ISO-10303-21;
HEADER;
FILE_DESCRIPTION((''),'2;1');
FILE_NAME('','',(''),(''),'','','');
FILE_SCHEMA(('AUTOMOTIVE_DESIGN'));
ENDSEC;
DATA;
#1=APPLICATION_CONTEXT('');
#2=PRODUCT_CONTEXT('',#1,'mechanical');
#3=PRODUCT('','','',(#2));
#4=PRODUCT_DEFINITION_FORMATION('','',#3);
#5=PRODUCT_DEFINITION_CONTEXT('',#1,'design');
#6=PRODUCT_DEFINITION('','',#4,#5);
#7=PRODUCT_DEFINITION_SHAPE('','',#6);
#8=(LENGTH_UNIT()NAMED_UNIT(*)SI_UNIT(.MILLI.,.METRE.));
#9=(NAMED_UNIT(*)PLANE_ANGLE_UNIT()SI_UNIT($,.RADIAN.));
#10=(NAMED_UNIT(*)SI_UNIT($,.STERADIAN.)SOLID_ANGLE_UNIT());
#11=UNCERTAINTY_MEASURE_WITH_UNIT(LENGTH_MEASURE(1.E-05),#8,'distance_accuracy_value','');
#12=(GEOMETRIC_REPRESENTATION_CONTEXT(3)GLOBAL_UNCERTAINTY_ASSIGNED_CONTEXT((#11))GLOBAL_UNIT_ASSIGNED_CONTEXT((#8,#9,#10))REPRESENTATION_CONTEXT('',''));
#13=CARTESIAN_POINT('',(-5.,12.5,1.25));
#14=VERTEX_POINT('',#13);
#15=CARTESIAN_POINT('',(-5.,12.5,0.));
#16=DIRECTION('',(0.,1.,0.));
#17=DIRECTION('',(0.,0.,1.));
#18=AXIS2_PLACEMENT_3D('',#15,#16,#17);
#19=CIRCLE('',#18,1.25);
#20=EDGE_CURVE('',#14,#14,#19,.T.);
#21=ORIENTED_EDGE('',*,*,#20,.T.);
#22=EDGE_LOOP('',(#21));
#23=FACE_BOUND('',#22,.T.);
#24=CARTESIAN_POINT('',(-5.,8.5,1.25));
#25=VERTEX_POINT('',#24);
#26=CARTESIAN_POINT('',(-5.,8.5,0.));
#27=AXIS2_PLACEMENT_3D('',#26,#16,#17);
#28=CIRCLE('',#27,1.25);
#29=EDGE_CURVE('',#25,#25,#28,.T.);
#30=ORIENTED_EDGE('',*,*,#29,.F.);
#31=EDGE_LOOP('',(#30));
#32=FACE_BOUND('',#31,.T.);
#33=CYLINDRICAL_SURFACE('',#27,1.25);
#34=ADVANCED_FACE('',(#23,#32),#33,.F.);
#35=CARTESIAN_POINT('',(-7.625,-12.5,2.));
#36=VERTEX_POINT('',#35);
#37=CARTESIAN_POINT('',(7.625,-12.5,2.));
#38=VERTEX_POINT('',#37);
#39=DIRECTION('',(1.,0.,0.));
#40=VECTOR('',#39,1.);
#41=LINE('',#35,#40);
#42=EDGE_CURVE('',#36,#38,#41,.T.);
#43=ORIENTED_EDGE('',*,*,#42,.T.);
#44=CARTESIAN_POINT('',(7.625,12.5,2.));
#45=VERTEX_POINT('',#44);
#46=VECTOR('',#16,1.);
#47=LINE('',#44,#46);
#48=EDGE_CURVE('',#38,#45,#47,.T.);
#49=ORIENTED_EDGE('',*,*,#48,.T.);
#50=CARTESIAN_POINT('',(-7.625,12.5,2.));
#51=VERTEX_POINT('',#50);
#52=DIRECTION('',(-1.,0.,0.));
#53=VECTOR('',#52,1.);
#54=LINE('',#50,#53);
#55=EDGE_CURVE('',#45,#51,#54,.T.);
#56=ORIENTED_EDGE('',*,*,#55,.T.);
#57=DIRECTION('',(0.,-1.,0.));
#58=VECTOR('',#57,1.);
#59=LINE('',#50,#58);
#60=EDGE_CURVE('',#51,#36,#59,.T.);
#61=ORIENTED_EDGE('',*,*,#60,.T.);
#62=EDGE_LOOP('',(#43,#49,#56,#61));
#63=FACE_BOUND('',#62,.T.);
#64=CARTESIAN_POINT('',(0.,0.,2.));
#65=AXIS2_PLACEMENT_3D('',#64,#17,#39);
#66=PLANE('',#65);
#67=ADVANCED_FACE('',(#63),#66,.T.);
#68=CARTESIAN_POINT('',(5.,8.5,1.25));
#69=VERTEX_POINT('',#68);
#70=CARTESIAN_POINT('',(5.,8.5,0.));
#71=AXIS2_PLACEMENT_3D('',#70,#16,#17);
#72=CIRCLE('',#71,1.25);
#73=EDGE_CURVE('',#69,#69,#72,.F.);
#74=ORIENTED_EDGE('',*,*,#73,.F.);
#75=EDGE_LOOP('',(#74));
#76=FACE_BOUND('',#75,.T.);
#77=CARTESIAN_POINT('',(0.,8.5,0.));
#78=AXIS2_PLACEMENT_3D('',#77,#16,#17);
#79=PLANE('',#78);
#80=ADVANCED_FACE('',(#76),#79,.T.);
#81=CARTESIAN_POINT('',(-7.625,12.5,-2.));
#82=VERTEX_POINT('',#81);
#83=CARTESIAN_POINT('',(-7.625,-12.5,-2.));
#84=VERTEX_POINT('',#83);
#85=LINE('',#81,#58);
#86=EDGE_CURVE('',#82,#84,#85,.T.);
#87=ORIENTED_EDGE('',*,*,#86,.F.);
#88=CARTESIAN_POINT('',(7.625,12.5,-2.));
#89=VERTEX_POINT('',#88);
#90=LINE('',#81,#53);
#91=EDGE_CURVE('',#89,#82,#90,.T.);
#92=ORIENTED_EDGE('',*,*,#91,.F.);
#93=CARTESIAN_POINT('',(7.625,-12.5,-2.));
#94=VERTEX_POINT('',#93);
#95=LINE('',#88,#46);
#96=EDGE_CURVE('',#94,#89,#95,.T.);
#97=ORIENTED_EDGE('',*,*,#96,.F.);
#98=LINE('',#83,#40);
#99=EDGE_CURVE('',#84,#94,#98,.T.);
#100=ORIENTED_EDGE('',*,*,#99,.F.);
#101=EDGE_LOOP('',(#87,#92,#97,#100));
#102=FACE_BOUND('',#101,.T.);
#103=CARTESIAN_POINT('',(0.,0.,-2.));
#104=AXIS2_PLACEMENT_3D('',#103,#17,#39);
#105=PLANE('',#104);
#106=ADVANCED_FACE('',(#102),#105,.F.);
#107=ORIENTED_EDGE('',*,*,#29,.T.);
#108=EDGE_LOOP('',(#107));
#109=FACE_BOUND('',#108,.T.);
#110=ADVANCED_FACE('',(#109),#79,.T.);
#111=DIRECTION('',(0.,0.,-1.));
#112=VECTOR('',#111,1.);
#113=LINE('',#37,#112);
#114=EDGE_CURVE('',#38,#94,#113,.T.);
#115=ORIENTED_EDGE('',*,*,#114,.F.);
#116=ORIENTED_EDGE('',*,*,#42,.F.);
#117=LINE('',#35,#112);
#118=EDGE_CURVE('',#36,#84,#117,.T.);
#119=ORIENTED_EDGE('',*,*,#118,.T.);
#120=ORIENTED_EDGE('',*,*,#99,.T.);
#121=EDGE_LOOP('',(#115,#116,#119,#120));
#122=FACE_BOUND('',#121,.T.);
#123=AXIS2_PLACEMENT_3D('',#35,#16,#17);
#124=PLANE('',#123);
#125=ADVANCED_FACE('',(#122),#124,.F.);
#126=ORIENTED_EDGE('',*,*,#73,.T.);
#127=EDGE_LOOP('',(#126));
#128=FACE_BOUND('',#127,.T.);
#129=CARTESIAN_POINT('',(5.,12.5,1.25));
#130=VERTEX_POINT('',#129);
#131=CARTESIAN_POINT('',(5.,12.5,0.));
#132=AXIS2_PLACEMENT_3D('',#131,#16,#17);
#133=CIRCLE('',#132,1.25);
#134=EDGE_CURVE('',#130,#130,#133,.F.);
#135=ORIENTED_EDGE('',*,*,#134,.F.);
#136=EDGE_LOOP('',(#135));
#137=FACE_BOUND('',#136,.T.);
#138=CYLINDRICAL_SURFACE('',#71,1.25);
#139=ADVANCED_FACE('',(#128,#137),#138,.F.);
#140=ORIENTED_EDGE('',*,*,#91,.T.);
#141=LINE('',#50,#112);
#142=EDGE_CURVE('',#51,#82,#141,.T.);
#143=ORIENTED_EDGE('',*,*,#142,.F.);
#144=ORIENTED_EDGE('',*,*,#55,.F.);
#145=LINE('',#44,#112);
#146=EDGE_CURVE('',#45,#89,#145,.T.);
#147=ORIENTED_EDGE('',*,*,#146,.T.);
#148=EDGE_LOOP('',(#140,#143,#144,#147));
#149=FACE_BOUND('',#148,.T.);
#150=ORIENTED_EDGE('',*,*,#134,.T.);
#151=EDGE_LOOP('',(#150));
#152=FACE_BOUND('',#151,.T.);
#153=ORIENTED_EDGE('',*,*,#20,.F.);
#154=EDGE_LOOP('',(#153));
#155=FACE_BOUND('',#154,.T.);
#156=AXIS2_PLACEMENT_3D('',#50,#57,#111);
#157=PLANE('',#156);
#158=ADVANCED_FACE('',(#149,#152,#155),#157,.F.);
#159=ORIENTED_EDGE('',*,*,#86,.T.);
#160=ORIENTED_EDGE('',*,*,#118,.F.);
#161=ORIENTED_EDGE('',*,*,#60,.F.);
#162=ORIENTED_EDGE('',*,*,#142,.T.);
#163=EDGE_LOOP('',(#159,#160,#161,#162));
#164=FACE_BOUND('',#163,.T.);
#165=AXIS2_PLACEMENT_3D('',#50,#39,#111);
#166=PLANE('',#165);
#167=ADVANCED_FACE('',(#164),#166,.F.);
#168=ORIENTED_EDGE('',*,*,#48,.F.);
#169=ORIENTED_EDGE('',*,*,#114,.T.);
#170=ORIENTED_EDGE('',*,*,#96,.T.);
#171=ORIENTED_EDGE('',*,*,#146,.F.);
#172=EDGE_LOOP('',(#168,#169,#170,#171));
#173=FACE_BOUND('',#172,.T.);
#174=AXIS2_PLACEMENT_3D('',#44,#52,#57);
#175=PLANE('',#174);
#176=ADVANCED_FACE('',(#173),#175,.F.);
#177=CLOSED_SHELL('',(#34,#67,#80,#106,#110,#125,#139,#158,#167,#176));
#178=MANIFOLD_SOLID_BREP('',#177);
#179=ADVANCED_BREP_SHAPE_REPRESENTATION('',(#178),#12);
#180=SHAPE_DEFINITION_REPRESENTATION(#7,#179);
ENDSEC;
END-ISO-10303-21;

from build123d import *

# Parameters (mm, degrees)
SKETCH1_W           = 15.25
SKETCH1_H           = 25
BOSS_EXTRUDE1_DEPTH = 2
SKETCH3_R           = 1.25
CUT_EXTRUDE1_DEPTH  = 4


with BuildPart() as part:
    # Sketch1 → Boss-Extrude1 (new, symmetric)
    with BuildSketch(Plane.XY):
        Rectangle(SKETCH1_W, SKETCH1_H)
    extrude(amount=BOSS_EXTRUDE1_DEPTH, both=True)

    # Sketch3 → Cut-Extrude1 (cut)
    with BuildSketch(Plane(origin=(0, 12.5, 0), x_dir=(1, 0, 0), z_dir=(0, 1, 0))):
        with Locations(Location((-5, 0, 0), (0, 0, 270))):
            Circle(SKETCH3_R)
        with Locations(Location((5, 0, 0), (0, 0, 270))):
            Circle(SKETCH3_R)
    extrude(amount=-CUT_EXTRUDE1_DEPTH, mode=Mode.SUBTRACT)


solid = part.part
